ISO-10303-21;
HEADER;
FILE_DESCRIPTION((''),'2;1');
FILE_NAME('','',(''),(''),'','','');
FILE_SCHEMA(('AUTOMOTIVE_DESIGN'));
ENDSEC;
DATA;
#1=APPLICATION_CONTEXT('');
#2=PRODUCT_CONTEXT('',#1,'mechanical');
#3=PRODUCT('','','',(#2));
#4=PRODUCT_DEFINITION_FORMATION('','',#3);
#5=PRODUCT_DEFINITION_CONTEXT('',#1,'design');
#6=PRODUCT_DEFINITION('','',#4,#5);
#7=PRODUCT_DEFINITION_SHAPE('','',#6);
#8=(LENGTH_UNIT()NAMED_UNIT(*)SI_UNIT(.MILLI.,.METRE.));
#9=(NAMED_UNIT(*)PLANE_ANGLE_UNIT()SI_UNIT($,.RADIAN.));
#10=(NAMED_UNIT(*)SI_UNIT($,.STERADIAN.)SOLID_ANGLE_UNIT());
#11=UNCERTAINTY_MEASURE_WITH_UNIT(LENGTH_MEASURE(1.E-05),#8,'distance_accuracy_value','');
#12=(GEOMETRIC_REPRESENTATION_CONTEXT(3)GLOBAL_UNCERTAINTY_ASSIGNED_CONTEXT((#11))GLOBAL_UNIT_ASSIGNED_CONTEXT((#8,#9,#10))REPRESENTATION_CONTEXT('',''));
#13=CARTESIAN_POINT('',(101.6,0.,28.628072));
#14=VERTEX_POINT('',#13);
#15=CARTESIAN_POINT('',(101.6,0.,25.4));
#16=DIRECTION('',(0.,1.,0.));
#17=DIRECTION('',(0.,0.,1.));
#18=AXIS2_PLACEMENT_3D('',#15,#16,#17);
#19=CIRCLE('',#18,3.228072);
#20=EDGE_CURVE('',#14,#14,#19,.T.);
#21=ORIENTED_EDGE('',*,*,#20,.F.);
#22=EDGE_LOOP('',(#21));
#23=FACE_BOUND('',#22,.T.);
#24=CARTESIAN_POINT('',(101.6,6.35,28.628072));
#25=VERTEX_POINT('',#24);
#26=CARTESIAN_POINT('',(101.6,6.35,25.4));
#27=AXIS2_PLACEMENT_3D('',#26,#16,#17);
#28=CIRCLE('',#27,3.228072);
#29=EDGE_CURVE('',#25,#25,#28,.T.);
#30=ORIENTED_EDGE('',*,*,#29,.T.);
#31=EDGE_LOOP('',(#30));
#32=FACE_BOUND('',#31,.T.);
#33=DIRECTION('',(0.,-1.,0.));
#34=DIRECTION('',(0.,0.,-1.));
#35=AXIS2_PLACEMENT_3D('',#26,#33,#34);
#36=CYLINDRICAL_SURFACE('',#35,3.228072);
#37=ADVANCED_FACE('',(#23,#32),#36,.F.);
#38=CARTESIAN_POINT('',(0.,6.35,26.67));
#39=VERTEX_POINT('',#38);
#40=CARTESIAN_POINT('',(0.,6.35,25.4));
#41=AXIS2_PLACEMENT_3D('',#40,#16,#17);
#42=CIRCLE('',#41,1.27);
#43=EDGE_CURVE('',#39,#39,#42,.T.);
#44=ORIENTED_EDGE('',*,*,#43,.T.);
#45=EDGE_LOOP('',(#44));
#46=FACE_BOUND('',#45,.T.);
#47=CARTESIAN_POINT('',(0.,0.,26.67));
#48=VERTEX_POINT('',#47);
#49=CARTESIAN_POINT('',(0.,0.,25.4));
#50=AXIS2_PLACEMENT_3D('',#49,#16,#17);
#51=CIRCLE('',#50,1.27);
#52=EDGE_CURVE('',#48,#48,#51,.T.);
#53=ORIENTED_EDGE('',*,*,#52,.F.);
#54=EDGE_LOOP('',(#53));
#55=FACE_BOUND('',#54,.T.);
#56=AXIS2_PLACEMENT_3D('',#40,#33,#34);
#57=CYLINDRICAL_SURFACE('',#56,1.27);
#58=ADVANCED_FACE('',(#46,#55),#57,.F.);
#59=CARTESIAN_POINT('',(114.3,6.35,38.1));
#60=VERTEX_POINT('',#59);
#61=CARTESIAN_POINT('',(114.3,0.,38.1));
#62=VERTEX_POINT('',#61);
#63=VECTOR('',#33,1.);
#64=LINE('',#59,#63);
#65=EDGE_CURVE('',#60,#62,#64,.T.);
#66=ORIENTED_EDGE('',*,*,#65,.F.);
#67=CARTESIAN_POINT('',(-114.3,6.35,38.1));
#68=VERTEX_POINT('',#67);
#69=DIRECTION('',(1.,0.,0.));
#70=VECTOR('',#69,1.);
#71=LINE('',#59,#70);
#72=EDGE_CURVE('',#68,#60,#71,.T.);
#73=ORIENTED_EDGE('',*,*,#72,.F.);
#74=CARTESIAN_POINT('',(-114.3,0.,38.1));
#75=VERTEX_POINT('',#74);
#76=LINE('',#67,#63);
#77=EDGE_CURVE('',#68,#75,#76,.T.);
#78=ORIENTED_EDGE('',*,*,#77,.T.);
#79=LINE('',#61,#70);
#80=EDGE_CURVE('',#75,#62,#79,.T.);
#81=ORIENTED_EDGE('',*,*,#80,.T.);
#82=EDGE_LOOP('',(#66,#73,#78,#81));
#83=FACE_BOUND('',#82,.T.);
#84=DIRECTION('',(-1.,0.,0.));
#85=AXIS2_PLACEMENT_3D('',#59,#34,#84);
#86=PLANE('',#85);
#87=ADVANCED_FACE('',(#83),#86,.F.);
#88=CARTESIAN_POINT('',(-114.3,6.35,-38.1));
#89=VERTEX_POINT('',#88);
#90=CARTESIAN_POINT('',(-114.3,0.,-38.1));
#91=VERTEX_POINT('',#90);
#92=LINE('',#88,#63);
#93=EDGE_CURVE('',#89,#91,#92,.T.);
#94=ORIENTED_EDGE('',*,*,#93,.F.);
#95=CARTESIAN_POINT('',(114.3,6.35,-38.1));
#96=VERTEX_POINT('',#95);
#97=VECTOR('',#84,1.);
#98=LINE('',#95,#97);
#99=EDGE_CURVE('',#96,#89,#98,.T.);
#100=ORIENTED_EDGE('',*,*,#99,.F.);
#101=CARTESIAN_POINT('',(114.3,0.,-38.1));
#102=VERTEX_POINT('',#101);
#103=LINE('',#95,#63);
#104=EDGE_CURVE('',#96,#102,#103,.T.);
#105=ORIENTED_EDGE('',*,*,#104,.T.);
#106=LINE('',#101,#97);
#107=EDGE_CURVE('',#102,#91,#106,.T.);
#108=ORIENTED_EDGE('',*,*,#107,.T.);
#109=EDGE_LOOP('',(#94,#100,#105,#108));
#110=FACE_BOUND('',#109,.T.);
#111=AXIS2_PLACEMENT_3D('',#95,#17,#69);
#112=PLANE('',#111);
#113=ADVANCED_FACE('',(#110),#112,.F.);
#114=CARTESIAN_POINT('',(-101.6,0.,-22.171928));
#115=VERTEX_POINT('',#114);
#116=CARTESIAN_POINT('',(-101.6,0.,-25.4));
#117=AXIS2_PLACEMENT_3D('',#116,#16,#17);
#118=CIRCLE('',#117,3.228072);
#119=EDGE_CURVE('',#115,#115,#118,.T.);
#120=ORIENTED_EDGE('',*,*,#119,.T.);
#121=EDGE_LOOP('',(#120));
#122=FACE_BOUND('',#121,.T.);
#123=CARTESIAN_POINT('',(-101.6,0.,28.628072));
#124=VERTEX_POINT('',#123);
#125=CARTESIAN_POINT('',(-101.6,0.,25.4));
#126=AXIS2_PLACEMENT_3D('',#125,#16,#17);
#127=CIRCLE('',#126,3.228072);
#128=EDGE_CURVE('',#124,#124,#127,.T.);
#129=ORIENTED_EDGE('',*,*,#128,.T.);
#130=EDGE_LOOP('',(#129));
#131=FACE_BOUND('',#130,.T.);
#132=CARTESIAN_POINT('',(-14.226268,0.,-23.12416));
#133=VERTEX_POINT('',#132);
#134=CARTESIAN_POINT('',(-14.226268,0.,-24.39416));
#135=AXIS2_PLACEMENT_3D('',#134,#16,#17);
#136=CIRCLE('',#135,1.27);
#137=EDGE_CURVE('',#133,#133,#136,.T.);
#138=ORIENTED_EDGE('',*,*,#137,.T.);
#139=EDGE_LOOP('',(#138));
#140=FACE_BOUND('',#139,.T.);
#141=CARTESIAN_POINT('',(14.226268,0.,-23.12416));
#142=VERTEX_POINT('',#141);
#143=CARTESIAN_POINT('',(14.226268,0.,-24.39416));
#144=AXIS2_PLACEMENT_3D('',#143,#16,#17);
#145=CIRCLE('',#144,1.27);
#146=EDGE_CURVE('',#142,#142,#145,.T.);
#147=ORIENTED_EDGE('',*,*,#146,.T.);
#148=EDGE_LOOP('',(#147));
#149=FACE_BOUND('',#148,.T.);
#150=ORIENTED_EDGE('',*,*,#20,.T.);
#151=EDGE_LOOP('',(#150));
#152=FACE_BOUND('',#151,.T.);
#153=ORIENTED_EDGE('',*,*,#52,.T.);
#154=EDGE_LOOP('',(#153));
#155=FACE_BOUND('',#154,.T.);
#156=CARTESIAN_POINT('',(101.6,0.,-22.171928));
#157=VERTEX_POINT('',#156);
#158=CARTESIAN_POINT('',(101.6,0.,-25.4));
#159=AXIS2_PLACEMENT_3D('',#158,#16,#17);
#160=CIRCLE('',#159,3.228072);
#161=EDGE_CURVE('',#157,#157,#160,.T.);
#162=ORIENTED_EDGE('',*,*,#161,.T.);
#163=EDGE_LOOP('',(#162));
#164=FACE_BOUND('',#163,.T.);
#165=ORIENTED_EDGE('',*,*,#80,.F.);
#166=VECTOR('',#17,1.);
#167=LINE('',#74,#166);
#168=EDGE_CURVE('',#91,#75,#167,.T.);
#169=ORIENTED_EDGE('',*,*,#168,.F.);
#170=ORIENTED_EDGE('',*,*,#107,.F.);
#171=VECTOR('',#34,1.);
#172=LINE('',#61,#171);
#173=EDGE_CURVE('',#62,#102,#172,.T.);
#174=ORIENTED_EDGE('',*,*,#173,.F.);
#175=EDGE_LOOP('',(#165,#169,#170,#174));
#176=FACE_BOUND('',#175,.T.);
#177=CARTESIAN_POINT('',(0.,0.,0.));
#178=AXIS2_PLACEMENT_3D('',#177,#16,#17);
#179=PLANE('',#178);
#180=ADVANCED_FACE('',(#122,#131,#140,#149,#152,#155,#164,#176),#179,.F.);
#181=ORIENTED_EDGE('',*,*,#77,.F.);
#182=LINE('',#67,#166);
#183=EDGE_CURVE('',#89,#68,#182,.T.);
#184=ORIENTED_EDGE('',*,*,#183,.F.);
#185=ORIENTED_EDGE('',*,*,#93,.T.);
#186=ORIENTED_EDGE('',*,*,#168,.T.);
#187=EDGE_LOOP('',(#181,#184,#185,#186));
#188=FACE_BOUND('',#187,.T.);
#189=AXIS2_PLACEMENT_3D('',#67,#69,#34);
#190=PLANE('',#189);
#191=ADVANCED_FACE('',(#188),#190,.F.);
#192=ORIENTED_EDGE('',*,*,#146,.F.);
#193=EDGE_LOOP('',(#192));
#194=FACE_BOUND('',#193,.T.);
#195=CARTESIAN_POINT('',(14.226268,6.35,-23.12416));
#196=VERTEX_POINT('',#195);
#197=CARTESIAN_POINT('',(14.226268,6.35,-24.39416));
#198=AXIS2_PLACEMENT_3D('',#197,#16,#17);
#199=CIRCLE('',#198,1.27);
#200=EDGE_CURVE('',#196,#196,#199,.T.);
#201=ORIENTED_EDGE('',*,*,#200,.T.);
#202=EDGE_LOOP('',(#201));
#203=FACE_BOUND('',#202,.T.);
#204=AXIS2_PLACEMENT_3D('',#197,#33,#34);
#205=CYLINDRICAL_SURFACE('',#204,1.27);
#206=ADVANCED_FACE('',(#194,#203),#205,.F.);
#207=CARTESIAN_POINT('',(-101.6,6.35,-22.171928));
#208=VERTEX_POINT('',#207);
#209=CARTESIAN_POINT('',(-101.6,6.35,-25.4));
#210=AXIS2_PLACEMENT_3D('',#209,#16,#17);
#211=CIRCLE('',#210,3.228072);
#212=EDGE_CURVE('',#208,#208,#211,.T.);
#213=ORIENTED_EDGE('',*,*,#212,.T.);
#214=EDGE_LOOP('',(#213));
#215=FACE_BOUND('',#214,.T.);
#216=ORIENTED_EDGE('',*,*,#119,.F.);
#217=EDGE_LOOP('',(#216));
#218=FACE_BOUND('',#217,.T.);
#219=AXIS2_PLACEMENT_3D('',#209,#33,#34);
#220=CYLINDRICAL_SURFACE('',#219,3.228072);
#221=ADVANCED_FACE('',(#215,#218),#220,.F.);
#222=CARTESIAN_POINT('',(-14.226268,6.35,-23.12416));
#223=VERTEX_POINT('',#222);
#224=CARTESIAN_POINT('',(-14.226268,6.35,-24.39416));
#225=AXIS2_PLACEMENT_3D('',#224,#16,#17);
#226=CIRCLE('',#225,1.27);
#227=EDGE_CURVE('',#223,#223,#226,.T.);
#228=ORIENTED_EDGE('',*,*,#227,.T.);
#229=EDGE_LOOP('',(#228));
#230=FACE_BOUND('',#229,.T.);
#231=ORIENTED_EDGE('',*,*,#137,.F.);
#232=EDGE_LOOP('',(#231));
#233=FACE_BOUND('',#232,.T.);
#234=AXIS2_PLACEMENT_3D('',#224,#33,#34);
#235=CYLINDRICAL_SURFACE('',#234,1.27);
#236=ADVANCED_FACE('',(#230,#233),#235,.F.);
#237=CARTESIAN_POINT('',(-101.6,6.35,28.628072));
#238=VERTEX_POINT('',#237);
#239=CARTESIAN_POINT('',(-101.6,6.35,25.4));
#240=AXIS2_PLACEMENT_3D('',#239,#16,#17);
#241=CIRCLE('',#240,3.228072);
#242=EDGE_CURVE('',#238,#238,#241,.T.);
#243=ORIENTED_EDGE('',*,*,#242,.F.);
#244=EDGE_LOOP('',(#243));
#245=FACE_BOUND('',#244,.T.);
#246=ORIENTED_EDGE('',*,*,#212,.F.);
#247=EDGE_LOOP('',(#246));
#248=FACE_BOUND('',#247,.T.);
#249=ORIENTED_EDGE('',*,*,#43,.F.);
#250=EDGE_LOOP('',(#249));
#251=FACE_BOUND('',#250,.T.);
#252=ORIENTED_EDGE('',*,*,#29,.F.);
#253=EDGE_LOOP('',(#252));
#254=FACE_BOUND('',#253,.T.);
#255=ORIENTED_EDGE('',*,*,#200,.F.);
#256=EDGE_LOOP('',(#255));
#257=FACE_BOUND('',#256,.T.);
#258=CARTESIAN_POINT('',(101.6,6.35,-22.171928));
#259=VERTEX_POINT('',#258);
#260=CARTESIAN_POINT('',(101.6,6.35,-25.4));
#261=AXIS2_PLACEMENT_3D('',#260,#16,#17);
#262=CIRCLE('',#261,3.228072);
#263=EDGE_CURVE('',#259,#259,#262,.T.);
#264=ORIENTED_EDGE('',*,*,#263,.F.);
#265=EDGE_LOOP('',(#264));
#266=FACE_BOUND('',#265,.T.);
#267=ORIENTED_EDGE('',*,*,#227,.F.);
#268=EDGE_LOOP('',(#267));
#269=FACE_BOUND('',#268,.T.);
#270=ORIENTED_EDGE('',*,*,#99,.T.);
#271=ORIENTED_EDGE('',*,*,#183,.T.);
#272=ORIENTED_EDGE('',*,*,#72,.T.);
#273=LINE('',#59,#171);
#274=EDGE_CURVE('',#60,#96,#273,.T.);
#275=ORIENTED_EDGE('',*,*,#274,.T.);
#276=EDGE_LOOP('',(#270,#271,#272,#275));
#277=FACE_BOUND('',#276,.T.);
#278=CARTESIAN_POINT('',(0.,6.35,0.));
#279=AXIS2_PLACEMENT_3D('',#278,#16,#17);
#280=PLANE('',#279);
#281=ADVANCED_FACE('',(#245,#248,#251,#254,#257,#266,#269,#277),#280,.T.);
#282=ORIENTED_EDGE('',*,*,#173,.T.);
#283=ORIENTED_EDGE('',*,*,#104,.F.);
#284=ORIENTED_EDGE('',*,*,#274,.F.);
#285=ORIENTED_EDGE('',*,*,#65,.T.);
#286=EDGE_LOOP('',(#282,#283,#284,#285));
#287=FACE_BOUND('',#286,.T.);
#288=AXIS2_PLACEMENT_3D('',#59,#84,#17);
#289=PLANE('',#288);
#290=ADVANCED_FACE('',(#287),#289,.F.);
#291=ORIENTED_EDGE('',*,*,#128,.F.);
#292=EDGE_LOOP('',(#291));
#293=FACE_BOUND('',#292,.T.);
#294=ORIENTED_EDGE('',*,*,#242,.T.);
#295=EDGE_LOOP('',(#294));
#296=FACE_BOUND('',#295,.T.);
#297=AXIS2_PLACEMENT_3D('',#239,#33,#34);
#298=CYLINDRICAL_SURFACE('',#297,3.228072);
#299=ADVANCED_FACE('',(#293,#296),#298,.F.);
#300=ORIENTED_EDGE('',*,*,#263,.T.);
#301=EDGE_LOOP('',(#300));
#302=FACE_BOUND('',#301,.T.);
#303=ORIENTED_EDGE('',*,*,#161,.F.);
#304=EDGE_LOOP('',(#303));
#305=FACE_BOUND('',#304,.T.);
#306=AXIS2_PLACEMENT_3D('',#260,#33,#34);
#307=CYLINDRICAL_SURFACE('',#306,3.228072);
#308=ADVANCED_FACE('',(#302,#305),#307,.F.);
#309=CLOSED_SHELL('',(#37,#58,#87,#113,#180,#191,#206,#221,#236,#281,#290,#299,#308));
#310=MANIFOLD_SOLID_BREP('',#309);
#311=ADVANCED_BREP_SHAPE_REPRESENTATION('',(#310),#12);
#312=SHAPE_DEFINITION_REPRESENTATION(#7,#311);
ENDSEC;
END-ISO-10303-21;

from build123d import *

# Parameters (mm, degrees)
SKETCH1_W           = 228.6
SKETCH1_H           = 76.2
SKETCH1_R           = 1.27
SKETCH1_R_2         = 3.228072168
BOSS_EXTRUDE1_DEPTH = 6.35


with BuildPart() as part:
    # Sketch1 → Boss-Extrude1 (new body)
    with BuildSketch(Plane(origin=(0, 0, 0), x_dir=(1, 0, 0), z_dir=(0, 1, 0))):
        Rectangle(SKETCH1_W, SKETCH1_H)
        with Locations(Location((-14.226267712, 24.39416, 0), (0, 0, 270))):
            Circle(SKETCH1_R, mode=Mode.SUBTRACT)
        with Locations(Location((14.226267712, 24.39416, 0), (0, 0, 270))):
            Circle(SKETCH1_R, mode=Mode.SUBTRACT)
        with Locations(Location((0, -25.4, 0), (0, 0, 270))):
            Circle(SKETCH1_R, mode=Mode.SUBTRACT)
        with Locations(Location((-101.6, 25.4, 0), (0, 0, 270))):
            Circle(SKETCH1_R_2, mode=Mode.SUBTRACT)
        with Locations(Location((101.6, 25.4, 0), (0, 0, 270))):
            Circle(SKETCH1_R_2, mode=Mode.SUBTRACT)
        with Locations(Location((101.6, -25.4, 0), (0, 0, 270))):
            Circle(SKETCH1_R_2, mode=Mode.SUBTRACT)
        with Locations(Location((-101.6, -25.4, 0), (0, 0, 270))):
            Circle(SKETCH1_R_2, mode=Mode.SUBTRACT)
    extrude(amount=BOSS_EXTRUDE1_DEPTH)


solid = part.part
